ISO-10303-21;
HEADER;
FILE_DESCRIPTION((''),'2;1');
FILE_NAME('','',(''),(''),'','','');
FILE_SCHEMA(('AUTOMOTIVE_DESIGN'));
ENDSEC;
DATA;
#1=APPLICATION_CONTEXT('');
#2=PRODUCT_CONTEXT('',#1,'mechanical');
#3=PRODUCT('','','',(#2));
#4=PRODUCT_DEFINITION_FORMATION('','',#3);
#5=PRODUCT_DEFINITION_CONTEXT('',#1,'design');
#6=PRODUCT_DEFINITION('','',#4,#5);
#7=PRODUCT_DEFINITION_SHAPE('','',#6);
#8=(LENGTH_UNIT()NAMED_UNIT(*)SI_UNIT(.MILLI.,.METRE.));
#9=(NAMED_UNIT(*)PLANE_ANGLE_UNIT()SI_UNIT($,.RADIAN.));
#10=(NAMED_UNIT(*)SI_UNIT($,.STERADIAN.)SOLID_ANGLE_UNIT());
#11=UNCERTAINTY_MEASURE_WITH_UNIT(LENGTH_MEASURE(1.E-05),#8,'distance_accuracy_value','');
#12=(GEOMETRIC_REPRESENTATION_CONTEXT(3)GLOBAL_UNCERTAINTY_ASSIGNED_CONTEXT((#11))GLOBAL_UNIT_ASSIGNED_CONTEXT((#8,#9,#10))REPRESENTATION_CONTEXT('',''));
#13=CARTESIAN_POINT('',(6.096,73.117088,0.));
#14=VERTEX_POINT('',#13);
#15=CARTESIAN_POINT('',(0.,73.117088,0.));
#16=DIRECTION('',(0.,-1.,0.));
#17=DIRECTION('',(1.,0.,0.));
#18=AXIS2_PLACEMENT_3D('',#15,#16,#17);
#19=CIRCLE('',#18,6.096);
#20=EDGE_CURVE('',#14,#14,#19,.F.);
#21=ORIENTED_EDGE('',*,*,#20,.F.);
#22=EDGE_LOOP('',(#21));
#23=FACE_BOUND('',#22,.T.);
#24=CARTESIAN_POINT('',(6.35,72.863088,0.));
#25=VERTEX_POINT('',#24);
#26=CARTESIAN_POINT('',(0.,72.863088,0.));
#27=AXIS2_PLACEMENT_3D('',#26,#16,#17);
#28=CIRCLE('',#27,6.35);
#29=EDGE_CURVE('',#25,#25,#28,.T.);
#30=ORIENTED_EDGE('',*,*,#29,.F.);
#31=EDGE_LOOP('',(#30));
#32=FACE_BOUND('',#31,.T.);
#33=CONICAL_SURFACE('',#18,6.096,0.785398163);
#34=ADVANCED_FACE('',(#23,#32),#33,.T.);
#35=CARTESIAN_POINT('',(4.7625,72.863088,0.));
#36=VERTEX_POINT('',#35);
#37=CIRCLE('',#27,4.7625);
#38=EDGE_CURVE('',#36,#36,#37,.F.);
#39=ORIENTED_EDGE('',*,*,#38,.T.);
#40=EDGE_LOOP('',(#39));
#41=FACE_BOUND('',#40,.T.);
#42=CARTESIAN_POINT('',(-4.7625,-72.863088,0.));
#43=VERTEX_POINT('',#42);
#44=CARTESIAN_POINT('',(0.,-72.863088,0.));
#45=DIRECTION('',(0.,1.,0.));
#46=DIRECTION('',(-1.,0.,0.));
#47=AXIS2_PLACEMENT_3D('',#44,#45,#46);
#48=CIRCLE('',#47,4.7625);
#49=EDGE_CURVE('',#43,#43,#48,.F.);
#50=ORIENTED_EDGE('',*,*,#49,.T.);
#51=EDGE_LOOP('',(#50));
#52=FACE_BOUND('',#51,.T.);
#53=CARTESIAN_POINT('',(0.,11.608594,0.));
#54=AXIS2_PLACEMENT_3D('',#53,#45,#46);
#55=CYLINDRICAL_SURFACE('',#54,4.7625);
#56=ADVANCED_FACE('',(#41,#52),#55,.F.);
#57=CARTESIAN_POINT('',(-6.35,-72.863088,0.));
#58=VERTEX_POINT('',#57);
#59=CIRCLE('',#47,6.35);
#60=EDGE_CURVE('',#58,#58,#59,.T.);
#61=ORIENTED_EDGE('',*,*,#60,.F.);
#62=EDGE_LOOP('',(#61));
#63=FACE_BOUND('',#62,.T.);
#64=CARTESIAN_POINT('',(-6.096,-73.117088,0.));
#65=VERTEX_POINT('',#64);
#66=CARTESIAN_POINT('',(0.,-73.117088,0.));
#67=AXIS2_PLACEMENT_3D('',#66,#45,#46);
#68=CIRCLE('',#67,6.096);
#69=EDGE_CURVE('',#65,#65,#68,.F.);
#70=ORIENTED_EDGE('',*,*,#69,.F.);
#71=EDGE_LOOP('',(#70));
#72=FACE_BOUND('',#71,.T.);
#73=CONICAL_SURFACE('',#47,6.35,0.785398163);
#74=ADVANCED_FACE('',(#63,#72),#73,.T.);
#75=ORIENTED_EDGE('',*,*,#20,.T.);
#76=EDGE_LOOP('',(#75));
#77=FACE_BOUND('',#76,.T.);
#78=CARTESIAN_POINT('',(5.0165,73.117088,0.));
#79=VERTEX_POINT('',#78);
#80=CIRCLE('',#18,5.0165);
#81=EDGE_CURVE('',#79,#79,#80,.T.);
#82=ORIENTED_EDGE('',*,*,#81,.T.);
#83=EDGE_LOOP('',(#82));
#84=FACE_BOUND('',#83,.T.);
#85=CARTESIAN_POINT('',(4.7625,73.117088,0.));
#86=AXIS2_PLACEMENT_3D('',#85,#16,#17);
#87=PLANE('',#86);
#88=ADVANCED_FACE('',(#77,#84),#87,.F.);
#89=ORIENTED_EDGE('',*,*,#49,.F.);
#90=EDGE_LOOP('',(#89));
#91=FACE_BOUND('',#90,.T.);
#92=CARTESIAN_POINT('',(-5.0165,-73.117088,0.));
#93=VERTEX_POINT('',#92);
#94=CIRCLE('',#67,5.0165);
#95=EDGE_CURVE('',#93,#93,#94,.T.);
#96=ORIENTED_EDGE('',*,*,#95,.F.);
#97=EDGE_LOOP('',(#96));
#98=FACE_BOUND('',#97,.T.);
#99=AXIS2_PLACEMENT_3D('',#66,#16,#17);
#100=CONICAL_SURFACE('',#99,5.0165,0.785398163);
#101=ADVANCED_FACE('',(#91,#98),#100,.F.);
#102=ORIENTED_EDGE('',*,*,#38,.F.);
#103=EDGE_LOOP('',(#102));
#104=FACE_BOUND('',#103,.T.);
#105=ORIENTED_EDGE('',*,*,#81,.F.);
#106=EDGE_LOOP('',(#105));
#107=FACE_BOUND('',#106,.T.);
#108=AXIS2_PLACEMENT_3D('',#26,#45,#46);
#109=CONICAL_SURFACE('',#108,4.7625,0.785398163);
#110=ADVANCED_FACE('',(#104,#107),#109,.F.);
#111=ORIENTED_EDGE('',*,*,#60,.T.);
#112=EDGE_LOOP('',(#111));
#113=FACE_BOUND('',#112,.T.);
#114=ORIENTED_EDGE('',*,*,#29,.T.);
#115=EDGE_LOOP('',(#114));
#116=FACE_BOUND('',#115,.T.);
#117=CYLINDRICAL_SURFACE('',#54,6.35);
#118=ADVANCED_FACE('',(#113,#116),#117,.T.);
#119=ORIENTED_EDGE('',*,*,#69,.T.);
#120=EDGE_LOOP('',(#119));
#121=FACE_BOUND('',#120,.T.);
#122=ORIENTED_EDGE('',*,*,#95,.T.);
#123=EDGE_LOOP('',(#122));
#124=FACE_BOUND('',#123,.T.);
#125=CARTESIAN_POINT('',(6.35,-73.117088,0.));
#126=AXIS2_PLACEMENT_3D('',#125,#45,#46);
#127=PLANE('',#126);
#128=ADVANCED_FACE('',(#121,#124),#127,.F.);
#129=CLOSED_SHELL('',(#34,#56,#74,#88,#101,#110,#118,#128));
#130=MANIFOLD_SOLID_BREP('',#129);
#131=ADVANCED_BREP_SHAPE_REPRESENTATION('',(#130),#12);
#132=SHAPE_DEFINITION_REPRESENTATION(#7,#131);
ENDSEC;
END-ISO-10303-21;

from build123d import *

# Parameters (mm, degrees)
SKETCH1_W     = 1.5875
SKETCH1_H     = 146.2341754
CHAMFER1_SIZE = 0.254


with BuildPart() as part:
    # Sketch1 → Revolve1 (revolve)
    with BuildSketch(Plane.XY):
        with Locations((5.55625, 0)):
            Rectangle(SKETCH1_W, SKETCH1_H)
    revolve(axis=Axis((0, 11.60859375, 0), (0, -1, 0)))

    # Chamfer1
    chamfer1_edges = [part.edges().sort_by_distance(p)[0] for p in [
        (-4.7625, -73.1170877, 0),
        (-6.35, -73.1170877, 0),
        (-6.35, 73.1170877, 0),
        (-4.7625, 73.1170877, 0),
    ]]
    chamfer(chamfer1_edges, length=CHAMFER1_SIZE)


solid = part.part
